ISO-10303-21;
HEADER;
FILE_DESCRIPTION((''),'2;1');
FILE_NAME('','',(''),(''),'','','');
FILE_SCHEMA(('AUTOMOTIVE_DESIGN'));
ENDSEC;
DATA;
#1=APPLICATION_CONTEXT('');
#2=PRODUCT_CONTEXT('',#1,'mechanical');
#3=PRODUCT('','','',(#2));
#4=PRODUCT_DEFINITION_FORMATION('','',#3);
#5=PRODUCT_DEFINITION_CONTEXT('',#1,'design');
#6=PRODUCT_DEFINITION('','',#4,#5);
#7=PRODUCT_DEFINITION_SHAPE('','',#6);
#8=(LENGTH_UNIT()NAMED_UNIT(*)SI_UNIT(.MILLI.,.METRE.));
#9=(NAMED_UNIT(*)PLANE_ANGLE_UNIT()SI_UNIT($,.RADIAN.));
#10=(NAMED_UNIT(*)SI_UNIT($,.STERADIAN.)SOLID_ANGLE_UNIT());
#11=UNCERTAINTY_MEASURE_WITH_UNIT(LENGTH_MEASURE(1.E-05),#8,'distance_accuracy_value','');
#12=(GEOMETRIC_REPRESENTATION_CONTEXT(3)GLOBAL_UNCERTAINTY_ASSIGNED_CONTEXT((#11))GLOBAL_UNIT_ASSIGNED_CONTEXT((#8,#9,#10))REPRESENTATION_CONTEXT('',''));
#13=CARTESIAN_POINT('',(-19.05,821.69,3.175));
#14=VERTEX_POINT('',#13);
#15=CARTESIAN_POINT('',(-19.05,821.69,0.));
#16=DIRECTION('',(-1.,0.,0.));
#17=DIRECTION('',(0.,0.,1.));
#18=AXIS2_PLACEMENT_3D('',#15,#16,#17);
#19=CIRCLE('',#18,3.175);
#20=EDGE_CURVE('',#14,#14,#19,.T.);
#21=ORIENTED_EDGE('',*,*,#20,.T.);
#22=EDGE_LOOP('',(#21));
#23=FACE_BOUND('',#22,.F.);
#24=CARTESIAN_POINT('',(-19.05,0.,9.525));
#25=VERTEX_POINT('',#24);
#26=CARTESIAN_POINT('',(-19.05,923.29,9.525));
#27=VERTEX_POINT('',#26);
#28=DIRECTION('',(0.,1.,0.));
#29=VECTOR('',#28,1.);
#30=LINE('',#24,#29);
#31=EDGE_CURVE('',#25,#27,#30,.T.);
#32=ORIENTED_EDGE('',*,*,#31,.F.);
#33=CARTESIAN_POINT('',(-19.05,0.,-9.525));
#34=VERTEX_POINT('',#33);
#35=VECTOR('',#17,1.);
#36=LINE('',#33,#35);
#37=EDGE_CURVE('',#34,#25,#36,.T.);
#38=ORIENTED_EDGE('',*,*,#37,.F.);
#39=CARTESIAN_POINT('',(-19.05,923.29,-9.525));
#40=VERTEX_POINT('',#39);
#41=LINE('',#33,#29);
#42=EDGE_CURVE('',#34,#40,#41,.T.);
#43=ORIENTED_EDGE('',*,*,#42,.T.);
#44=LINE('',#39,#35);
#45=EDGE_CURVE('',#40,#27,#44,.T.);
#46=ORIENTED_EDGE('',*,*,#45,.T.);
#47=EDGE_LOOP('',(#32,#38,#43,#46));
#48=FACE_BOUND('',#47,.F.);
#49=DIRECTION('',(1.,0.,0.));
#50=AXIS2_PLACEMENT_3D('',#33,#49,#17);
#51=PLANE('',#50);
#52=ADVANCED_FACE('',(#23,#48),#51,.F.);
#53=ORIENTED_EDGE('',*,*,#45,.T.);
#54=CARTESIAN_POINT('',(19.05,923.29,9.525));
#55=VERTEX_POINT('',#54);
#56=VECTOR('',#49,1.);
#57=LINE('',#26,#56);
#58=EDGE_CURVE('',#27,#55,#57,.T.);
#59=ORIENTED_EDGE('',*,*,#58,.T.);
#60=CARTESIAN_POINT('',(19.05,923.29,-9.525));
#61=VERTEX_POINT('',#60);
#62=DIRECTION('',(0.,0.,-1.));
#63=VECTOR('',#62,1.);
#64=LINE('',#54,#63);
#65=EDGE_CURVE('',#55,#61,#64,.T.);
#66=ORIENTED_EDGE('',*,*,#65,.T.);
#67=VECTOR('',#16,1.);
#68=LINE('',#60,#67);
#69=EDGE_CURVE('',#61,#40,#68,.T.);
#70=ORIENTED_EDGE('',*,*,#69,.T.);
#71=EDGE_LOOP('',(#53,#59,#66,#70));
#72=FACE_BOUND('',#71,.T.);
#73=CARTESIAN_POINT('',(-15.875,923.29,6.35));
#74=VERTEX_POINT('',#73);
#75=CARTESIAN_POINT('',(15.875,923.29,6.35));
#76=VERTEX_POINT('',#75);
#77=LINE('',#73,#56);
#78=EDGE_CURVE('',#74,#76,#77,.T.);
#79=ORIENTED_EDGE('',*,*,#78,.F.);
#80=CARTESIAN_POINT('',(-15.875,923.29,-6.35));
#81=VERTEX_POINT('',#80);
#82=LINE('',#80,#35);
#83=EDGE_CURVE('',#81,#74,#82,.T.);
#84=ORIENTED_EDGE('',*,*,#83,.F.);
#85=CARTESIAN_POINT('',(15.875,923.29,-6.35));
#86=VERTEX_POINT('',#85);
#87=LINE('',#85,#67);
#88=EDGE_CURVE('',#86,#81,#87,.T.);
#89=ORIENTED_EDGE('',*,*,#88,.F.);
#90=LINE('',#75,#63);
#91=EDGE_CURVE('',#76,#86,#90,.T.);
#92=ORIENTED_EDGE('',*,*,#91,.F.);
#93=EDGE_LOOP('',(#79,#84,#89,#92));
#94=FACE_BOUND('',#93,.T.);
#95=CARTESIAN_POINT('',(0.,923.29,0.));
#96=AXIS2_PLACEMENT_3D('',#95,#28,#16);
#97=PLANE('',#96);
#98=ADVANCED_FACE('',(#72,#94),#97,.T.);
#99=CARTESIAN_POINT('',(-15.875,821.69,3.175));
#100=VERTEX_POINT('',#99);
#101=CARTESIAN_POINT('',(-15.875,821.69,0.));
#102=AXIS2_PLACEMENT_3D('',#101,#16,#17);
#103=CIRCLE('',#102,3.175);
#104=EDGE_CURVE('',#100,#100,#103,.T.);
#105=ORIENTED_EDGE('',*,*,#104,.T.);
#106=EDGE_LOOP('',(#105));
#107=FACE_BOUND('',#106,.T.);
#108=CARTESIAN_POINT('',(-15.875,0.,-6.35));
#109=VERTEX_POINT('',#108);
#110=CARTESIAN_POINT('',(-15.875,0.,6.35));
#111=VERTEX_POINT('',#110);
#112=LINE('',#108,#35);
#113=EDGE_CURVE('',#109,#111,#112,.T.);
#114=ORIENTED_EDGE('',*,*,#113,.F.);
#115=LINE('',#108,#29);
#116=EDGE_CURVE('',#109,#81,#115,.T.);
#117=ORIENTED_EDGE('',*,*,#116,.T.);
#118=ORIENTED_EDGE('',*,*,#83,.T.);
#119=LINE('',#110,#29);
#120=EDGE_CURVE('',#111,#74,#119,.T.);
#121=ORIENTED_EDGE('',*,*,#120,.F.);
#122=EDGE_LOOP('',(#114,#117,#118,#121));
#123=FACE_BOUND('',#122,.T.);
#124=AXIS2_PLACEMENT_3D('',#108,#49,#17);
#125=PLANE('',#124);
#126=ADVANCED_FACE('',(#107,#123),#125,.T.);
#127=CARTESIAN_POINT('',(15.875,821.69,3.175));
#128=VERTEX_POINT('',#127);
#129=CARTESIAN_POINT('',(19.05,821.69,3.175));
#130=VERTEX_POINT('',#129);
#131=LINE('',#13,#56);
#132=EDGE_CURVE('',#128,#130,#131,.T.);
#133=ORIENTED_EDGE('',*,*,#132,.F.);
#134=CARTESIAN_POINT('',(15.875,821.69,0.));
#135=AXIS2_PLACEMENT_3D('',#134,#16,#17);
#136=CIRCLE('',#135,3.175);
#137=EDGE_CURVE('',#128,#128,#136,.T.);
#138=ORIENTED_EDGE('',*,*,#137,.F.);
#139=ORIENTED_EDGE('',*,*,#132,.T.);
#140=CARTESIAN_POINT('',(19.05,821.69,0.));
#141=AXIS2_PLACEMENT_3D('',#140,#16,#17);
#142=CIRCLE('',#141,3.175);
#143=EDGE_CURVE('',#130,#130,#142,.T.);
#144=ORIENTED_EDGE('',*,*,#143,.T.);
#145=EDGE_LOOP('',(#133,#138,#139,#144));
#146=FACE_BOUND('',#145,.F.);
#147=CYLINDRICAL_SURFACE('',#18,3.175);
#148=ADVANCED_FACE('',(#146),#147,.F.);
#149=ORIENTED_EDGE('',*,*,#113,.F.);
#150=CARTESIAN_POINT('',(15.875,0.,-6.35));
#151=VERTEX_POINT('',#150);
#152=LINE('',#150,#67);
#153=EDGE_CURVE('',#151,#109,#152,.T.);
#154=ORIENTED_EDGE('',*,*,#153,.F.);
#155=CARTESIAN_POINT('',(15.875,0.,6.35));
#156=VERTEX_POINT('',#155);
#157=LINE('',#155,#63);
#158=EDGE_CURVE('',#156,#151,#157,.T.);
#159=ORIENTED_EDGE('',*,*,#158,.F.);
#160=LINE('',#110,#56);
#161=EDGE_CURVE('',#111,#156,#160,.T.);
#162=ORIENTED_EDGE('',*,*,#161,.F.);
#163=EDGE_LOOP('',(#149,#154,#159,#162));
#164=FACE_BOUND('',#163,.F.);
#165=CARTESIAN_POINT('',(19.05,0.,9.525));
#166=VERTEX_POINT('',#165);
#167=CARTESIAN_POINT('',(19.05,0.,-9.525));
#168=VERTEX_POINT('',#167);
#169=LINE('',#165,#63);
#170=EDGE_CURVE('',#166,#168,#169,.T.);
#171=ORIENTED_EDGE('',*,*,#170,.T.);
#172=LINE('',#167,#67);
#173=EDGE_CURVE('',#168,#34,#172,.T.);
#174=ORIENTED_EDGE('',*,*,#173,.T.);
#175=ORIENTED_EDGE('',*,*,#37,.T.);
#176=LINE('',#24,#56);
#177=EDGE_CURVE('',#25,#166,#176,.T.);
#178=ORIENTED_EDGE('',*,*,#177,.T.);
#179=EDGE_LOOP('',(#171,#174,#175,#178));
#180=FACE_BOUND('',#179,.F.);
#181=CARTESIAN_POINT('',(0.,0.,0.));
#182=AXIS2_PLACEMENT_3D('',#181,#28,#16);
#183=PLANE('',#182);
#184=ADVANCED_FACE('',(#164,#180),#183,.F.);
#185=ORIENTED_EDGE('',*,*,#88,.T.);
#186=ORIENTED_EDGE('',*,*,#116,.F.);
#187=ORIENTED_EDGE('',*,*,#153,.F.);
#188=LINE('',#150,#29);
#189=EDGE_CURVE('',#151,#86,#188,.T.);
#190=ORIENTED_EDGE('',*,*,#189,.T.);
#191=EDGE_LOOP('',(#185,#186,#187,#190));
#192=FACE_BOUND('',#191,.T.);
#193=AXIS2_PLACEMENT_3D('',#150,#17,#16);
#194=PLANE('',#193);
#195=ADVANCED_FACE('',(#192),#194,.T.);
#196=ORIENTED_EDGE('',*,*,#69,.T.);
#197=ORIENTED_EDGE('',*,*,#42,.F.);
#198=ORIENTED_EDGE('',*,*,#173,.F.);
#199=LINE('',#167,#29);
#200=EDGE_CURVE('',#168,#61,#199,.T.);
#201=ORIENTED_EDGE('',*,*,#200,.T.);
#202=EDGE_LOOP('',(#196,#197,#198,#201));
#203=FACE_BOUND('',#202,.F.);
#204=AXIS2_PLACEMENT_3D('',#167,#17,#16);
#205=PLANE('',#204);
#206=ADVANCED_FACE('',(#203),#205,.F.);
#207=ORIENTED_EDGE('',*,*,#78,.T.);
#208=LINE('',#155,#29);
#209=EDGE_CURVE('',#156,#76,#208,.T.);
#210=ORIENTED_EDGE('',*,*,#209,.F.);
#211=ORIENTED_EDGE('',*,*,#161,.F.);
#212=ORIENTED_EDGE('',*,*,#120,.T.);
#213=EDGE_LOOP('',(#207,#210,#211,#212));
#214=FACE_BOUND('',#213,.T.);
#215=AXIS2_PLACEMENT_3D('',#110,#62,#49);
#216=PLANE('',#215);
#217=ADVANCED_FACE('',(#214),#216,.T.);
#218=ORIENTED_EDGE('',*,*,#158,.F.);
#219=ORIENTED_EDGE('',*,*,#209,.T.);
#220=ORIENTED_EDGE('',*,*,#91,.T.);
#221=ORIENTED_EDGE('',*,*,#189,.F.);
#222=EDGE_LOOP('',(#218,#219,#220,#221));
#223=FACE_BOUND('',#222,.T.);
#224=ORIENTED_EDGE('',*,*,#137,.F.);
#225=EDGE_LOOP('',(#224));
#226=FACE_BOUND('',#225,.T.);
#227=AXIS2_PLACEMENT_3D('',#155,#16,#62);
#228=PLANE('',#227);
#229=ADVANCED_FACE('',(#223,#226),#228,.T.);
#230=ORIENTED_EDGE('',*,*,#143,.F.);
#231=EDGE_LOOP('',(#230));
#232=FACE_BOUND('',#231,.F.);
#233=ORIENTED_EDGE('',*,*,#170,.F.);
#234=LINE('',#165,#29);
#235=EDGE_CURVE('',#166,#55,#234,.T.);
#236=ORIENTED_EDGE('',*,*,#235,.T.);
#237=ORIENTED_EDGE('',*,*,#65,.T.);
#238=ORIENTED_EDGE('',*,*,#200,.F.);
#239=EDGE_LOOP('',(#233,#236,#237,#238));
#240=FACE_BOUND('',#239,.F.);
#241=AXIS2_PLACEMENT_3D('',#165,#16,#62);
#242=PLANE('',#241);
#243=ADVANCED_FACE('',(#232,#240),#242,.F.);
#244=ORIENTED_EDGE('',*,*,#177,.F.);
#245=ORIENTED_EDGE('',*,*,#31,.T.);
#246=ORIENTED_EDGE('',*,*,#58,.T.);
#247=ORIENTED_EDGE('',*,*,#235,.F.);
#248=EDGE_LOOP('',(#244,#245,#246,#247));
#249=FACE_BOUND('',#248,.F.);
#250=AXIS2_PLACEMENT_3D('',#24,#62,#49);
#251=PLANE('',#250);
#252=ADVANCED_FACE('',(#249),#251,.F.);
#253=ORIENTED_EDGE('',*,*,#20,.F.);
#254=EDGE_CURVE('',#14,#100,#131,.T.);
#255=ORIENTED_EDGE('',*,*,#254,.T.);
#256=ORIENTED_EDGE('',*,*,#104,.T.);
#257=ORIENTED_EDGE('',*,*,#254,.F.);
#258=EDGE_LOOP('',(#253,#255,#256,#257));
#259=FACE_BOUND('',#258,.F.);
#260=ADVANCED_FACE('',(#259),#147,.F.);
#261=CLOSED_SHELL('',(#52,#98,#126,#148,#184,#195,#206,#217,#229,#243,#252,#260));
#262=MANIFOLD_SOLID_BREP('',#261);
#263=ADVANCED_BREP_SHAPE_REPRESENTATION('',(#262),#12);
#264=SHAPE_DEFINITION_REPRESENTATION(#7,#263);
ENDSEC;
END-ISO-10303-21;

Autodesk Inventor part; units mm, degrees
ref_plane "YZ Plane" through (0, 0, 0) normal (1, 0, 0) x (0, 1, 0)
ref_plane "XZ Plane" through (0, 0, 0) normal (0, 1, 0) x (-1, 0, 0)
ref_plane "XY Plane" through (0, 0, 0) normal (0, 0, 1) x (1, 0, 0)
sketch "Sketch5" plane through (0, 0, 0) normal (0, 1, 0) x (-1, 0, 0)
  line L0 (19.05, 9.525) -> (-19.05, 9.525)
  line L1 (-19.05, 9.525) -> (-19.05, -9.525)
  line L2 (-19.05, -9.525) -> (19.05, -9.525)
  line L3 (19.05, -9.525) -> (19.05, 9.525)
  line L4 (19.05, 9.525) -> (-19.05, -9.525) construction
  line L5 (-19.05, 9.525) -> (19.05, -9.525) construction
  line L6 (15.875, 6.35) -> (-15.875, 6.35)
  line L7 (-15.875, 6.35) -> (-15.875, -6.35)
  line L8 (-15.875, -6.35) -> (15.875, -6.35)
  line L9 (15.875, -6.35) -> (15.875, 6.35)
  line L10 (15.875, 6.35) -> (-15.875, -6.35) construction
  line L11 (-15.875, 6.35) -> (15.875, -6.35) construction
  point P0 (0, 0)
  dimension "d11" = 19.05
  dimension "d12" = 38.1
  dimension "d13" = 3.175
  dimension "d14" = 3.175
extrude "Extrusion4" add sketch "Sketch5" along normal blind 923.29
sketch "Sketch6" plane through (-19.05, 0, 9.525) normal (-1, 0, 0) x (0, 0, 1)
  circle A0 centre (-9.525, 821.69) radius 3.175
  line L0 (-19.05, 923.29) -> (0, 923.29) projected
  point P0 (-9.525, 0)
  dimension "d17" = 6.35
  dimension "d18" = 101.6
extrude "Extrusion6" cut sketch "Sketch6" against normal through all
equation "\"d11\" = tubeWidth"
equation "\"d12\" = tubeBreadth"
equation "\"d13\" = tubeMaterialThickness"
equation "\"d14\" = tubeMaterialThickness"
equation "\"d15\" = tubeLength"
equation "\"d17\" = endOfTravelPostDiam"
equation "\"d18\" = endOfTravellDistanceFromBottom"
equation "\"tubeBreadth\" = 38.1"
equation "\"tubeMaterialThickness\" = 3.175"
equation "\"tubeLength\" = 923.29"
equation "\"tubeWidth\" = 19.05"
equation "\"endOfTravelPostDiam\" = 6.35"
equation "\"endOfTravellDistanceFromBottom\" = 101.6"
properties part number "InnerTube" material "Aluminum 6061"
